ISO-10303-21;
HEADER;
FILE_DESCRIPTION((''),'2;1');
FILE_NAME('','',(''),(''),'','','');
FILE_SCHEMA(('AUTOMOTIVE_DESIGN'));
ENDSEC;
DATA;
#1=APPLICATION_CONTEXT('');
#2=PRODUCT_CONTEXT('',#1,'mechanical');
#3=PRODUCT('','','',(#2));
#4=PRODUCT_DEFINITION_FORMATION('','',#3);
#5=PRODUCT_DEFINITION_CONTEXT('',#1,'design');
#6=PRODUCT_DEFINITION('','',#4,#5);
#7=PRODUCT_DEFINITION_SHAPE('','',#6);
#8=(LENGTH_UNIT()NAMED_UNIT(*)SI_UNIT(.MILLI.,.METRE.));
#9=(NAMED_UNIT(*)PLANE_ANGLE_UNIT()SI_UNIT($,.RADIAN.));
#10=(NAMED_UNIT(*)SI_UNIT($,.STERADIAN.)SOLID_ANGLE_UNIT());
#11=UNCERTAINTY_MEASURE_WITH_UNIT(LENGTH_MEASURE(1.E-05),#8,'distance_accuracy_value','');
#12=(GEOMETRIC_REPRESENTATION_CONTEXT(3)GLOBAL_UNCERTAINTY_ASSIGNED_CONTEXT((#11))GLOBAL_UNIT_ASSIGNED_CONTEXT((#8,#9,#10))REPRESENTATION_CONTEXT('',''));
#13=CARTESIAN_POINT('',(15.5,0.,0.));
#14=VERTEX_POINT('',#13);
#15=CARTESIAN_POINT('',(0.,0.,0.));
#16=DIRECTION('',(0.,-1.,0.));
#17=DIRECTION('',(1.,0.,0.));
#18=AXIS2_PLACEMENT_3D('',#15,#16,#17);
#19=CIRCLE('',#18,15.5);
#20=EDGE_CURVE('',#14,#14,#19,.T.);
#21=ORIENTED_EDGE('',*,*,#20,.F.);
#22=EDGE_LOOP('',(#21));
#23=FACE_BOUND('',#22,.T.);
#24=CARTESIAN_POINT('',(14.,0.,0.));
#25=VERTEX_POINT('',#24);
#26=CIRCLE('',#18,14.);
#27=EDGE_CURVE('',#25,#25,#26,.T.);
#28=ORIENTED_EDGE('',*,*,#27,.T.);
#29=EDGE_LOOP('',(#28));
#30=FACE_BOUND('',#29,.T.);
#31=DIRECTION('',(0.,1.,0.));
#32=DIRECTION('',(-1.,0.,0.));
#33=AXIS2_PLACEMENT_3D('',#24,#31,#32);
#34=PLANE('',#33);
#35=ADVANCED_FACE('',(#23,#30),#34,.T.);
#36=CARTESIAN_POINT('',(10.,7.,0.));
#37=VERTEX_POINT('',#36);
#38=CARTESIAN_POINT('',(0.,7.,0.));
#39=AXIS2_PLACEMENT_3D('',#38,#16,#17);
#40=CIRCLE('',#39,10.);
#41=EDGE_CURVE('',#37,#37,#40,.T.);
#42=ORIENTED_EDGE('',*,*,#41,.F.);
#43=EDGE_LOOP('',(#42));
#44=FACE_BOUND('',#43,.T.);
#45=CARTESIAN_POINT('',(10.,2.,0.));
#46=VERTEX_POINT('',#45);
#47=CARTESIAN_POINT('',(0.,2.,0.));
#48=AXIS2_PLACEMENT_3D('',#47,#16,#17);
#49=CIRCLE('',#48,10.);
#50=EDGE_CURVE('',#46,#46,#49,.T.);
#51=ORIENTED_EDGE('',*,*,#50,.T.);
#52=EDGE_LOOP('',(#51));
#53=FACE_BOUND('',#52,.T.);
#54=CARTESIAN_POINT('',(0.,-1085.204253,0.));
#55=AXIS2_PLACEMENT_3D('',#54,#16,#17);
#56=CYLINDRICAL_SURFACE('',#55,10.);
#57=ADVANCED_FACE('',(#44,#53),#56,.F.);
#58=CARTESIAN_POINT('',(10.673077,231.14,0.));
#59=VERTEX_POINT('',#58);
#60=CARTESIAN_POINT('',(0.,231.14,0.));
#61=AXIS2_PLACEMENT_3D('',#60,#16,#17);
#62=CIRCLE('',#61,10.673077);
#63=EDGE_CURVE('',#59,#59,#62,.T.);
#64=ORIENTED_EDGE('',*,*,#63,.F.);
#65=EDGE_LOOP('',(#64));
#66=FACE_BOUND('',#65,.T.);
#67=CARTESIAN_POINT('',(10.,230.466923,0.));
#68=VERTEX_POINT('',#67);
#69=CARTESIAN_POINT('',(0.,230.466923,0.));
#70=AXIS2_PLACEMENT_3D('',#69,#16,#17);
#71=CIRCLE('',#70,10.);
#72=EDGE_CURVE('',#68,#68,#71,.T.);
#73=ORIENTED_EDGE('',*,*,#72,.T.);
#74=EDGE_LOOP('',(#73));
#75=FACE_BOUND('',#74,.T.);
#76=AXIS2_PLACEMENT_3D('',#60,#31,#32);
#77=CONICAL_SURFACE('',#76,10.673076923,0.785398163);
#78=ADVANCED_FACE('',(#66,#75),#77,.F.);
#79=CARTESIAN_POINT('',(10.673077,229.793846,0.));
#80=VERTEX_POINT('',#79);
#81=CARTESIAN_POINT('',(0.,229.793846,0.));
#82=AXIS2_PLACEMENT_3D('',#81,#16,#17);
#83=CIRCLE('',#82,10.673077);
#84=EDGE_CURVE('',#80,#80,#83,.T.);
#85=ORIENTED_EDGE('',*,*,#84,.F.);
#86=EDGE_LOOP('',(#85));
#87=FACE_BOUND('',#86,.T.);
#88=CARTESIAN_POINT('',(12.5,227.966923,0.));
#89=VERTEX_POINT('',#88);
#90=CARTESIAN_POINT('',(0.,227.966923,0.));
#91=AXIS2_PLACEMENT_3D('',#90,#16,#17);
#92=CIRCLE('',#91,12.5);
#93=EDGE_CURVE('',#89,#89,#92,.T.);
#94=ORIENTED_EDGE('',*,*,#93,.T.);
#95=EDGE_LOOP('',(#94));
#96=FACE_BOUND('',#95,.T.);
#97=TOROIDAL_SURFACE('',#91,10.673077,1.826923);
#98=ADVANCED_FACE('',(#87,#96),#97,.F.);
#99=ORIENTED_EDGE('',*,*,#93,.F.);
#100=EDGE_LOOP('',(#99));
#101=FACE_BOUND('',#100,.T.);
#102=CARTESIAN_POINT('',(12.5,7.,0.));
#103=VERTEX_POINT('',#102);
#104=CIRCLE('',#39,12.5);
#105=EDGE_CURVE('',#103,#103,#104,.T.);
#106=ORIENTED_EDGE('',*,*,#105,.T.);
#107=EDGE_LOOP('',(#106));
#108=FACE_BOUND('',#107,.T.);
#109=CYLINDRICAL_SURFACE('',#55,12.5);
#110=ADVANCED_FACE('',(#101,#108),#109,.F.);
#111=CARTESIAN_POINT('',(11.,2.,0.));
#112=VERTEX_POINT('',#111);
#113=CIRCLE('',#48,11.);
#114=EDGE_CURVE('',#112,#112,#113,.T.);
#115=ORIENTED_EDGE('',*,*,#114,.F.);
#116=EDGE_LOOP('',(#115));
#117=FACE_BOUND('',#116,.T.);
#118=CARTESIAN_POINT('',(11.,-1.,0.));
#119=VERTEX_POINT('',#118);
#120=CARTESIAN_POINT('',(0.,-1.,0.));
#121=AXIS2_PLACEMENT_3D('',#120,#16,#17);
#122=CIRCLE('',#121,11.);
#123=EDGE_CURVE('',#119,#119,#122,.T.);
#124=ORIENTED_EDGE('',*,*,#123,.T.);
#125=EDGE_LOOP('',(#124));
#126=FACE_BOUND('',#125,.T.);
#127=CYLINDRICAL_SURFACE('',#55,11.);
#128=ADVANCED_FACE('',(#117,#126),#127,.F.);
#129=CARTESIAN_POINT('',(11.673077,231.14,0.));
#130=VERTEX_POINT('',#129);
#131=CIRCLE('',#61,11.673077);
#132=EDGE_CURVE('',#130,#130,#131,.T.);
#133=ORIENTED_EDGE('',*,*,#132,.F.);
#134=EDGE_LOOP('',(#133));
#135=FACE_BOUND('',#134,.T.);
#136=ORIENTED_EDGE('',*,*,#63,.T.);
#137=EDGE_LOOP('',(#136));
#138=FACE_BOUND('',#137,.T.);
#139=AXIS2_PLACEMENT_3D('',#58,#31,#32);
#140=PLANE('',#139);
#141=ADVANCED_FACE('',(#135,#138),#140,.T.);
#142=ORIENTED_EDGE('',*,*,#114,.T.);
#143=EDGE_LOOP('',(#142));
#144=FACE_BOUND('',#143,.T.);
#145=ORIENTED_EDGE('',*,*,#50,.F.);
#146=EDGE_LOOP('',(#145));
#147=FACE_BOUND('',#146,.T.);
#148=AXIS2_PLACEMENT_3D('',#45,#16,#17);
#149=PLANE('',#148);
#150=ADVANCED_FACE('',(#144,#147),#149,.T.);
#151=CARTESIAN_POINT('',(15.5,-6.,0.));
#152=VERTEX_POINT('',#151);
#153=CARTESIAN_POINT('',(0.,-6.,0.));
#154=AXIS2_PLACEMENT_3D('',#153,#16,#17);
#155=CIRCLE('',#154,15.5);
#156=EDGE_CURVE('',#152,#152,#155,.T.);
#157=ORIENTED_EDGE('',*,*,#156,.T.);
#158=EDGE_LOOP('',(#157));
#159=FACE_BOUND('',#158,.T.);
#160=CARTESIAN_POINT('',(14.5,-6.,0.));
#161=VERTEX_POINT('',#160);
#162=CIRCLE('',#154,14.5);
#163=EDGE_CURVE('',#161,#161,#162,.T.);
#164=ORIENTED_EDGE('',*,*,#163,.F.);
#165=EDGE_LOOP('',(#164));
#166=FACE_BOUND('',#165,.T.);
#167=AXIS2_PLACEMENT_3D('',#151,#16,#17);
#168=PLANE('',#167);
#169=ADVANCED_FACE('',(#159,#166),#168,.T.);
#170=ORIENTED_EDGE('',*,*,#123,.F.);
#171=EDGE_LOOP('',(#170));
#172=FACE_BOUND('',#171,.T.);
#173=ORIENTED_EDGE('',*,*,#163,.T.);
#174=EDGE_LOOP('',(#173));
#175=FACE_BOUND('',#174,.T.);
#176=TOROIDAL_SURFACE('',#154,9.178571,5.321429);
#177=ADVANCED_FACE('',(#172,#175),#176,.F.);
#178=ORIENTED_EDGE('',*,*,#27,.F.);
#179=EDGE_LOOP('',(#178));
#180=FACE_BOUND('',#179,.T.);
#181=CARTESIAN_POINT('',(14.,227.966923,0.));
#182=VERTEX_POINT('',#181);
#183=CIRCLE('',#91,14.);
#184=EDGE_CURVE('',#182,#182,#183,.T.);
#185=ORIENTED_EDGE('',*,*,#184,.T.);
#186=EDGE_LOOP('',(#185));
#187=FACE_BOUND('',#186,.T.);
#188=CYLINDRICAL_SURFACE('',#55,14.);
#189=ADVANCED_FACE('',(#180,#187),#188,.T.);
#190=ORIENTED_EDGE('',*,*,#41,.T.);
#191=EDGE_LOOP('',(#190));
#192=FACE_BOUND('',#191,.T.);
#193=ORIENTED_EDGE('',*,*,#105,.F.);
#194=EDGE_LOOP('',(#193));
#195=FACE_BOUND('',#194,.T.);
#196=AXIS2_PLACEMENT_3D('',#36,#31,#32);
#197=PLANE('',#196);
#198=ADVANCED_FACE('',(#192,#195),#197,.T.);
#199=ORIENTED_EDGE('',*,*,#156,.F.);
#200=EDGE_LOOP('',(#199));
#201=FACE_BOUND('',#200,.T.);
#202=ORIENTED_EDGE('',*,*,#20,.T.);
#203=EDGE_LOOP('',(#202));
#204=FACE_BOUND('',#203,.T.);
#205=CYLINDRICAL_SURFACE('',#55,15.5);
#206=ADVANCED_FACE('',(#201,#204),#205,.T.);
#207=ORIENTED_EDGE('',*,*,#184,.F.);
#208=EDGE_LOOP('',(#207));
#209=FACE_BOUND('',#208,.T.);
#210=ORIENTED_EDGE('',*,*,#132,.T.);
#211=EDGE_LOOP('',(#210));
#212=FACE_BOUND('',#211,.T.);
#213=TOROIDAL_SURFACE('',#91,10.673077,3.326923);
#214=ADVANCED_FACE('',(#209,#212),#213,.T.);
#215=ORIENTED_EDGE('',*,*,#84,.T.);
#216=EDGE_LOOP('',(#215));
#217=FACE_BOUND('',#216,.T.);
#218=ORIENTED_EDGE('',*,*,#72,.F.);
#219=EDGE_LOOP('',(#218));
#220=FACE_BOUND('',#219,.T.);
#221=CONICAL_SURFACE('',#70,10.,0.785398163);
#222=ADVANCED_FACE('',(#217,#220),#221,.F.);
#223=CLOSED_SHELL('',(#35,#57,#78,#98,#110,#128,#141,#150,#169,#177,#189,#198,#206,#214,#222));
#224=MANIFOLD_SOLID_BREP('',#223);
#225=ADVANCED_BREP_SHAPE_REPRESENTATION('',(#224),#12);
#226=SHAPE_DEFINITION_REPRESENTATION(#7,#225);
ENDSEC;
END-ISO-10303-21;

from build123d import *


with BuildPart() as part:
    # Sketch1 → Revolve1 (revolve)
    with BuildSketch(Plane.XY):
        with BuildLine():
            Line((12.5, 7), (12.5, 227.966923077))
            ThreePointArc((12.5, 227.966923077), (11.964906619, 229.258752773), (10.673076923, 229.793846154))
            Line((10.673076923, 229.793846154), (10, 230.466923077))
            Line((10, 230.466923077), (10.673076923, 231.14))
            Line((10.673076923, 231.14), (11.673076923, 231.14))
            ThreePointArc((11.673076923, 231.14), (13.355924313, 229.934344496), (14, 227.966923077))
            Line((14, 227.966923077), (14, 0))
            Line((14, 0), (15.5, 0))
            Line((15.5, 0), (15.5, -6))
            Line((15.5, -6), (14.5, -6))
            ThreePointArc((14.5, -6), (13.538055577, -2.948361096), (11, -1))
            Line((11, -1), (11, 2))
            Line((11, 2), (10, 2))
            Line((10, 2), (10, 7))
            Line((10, 7), (12.5, 7))
        make_face()
    revolve(axis=Axis((0, -1085.204253018, 0), (0, 1, 0)))


solid = part.part
